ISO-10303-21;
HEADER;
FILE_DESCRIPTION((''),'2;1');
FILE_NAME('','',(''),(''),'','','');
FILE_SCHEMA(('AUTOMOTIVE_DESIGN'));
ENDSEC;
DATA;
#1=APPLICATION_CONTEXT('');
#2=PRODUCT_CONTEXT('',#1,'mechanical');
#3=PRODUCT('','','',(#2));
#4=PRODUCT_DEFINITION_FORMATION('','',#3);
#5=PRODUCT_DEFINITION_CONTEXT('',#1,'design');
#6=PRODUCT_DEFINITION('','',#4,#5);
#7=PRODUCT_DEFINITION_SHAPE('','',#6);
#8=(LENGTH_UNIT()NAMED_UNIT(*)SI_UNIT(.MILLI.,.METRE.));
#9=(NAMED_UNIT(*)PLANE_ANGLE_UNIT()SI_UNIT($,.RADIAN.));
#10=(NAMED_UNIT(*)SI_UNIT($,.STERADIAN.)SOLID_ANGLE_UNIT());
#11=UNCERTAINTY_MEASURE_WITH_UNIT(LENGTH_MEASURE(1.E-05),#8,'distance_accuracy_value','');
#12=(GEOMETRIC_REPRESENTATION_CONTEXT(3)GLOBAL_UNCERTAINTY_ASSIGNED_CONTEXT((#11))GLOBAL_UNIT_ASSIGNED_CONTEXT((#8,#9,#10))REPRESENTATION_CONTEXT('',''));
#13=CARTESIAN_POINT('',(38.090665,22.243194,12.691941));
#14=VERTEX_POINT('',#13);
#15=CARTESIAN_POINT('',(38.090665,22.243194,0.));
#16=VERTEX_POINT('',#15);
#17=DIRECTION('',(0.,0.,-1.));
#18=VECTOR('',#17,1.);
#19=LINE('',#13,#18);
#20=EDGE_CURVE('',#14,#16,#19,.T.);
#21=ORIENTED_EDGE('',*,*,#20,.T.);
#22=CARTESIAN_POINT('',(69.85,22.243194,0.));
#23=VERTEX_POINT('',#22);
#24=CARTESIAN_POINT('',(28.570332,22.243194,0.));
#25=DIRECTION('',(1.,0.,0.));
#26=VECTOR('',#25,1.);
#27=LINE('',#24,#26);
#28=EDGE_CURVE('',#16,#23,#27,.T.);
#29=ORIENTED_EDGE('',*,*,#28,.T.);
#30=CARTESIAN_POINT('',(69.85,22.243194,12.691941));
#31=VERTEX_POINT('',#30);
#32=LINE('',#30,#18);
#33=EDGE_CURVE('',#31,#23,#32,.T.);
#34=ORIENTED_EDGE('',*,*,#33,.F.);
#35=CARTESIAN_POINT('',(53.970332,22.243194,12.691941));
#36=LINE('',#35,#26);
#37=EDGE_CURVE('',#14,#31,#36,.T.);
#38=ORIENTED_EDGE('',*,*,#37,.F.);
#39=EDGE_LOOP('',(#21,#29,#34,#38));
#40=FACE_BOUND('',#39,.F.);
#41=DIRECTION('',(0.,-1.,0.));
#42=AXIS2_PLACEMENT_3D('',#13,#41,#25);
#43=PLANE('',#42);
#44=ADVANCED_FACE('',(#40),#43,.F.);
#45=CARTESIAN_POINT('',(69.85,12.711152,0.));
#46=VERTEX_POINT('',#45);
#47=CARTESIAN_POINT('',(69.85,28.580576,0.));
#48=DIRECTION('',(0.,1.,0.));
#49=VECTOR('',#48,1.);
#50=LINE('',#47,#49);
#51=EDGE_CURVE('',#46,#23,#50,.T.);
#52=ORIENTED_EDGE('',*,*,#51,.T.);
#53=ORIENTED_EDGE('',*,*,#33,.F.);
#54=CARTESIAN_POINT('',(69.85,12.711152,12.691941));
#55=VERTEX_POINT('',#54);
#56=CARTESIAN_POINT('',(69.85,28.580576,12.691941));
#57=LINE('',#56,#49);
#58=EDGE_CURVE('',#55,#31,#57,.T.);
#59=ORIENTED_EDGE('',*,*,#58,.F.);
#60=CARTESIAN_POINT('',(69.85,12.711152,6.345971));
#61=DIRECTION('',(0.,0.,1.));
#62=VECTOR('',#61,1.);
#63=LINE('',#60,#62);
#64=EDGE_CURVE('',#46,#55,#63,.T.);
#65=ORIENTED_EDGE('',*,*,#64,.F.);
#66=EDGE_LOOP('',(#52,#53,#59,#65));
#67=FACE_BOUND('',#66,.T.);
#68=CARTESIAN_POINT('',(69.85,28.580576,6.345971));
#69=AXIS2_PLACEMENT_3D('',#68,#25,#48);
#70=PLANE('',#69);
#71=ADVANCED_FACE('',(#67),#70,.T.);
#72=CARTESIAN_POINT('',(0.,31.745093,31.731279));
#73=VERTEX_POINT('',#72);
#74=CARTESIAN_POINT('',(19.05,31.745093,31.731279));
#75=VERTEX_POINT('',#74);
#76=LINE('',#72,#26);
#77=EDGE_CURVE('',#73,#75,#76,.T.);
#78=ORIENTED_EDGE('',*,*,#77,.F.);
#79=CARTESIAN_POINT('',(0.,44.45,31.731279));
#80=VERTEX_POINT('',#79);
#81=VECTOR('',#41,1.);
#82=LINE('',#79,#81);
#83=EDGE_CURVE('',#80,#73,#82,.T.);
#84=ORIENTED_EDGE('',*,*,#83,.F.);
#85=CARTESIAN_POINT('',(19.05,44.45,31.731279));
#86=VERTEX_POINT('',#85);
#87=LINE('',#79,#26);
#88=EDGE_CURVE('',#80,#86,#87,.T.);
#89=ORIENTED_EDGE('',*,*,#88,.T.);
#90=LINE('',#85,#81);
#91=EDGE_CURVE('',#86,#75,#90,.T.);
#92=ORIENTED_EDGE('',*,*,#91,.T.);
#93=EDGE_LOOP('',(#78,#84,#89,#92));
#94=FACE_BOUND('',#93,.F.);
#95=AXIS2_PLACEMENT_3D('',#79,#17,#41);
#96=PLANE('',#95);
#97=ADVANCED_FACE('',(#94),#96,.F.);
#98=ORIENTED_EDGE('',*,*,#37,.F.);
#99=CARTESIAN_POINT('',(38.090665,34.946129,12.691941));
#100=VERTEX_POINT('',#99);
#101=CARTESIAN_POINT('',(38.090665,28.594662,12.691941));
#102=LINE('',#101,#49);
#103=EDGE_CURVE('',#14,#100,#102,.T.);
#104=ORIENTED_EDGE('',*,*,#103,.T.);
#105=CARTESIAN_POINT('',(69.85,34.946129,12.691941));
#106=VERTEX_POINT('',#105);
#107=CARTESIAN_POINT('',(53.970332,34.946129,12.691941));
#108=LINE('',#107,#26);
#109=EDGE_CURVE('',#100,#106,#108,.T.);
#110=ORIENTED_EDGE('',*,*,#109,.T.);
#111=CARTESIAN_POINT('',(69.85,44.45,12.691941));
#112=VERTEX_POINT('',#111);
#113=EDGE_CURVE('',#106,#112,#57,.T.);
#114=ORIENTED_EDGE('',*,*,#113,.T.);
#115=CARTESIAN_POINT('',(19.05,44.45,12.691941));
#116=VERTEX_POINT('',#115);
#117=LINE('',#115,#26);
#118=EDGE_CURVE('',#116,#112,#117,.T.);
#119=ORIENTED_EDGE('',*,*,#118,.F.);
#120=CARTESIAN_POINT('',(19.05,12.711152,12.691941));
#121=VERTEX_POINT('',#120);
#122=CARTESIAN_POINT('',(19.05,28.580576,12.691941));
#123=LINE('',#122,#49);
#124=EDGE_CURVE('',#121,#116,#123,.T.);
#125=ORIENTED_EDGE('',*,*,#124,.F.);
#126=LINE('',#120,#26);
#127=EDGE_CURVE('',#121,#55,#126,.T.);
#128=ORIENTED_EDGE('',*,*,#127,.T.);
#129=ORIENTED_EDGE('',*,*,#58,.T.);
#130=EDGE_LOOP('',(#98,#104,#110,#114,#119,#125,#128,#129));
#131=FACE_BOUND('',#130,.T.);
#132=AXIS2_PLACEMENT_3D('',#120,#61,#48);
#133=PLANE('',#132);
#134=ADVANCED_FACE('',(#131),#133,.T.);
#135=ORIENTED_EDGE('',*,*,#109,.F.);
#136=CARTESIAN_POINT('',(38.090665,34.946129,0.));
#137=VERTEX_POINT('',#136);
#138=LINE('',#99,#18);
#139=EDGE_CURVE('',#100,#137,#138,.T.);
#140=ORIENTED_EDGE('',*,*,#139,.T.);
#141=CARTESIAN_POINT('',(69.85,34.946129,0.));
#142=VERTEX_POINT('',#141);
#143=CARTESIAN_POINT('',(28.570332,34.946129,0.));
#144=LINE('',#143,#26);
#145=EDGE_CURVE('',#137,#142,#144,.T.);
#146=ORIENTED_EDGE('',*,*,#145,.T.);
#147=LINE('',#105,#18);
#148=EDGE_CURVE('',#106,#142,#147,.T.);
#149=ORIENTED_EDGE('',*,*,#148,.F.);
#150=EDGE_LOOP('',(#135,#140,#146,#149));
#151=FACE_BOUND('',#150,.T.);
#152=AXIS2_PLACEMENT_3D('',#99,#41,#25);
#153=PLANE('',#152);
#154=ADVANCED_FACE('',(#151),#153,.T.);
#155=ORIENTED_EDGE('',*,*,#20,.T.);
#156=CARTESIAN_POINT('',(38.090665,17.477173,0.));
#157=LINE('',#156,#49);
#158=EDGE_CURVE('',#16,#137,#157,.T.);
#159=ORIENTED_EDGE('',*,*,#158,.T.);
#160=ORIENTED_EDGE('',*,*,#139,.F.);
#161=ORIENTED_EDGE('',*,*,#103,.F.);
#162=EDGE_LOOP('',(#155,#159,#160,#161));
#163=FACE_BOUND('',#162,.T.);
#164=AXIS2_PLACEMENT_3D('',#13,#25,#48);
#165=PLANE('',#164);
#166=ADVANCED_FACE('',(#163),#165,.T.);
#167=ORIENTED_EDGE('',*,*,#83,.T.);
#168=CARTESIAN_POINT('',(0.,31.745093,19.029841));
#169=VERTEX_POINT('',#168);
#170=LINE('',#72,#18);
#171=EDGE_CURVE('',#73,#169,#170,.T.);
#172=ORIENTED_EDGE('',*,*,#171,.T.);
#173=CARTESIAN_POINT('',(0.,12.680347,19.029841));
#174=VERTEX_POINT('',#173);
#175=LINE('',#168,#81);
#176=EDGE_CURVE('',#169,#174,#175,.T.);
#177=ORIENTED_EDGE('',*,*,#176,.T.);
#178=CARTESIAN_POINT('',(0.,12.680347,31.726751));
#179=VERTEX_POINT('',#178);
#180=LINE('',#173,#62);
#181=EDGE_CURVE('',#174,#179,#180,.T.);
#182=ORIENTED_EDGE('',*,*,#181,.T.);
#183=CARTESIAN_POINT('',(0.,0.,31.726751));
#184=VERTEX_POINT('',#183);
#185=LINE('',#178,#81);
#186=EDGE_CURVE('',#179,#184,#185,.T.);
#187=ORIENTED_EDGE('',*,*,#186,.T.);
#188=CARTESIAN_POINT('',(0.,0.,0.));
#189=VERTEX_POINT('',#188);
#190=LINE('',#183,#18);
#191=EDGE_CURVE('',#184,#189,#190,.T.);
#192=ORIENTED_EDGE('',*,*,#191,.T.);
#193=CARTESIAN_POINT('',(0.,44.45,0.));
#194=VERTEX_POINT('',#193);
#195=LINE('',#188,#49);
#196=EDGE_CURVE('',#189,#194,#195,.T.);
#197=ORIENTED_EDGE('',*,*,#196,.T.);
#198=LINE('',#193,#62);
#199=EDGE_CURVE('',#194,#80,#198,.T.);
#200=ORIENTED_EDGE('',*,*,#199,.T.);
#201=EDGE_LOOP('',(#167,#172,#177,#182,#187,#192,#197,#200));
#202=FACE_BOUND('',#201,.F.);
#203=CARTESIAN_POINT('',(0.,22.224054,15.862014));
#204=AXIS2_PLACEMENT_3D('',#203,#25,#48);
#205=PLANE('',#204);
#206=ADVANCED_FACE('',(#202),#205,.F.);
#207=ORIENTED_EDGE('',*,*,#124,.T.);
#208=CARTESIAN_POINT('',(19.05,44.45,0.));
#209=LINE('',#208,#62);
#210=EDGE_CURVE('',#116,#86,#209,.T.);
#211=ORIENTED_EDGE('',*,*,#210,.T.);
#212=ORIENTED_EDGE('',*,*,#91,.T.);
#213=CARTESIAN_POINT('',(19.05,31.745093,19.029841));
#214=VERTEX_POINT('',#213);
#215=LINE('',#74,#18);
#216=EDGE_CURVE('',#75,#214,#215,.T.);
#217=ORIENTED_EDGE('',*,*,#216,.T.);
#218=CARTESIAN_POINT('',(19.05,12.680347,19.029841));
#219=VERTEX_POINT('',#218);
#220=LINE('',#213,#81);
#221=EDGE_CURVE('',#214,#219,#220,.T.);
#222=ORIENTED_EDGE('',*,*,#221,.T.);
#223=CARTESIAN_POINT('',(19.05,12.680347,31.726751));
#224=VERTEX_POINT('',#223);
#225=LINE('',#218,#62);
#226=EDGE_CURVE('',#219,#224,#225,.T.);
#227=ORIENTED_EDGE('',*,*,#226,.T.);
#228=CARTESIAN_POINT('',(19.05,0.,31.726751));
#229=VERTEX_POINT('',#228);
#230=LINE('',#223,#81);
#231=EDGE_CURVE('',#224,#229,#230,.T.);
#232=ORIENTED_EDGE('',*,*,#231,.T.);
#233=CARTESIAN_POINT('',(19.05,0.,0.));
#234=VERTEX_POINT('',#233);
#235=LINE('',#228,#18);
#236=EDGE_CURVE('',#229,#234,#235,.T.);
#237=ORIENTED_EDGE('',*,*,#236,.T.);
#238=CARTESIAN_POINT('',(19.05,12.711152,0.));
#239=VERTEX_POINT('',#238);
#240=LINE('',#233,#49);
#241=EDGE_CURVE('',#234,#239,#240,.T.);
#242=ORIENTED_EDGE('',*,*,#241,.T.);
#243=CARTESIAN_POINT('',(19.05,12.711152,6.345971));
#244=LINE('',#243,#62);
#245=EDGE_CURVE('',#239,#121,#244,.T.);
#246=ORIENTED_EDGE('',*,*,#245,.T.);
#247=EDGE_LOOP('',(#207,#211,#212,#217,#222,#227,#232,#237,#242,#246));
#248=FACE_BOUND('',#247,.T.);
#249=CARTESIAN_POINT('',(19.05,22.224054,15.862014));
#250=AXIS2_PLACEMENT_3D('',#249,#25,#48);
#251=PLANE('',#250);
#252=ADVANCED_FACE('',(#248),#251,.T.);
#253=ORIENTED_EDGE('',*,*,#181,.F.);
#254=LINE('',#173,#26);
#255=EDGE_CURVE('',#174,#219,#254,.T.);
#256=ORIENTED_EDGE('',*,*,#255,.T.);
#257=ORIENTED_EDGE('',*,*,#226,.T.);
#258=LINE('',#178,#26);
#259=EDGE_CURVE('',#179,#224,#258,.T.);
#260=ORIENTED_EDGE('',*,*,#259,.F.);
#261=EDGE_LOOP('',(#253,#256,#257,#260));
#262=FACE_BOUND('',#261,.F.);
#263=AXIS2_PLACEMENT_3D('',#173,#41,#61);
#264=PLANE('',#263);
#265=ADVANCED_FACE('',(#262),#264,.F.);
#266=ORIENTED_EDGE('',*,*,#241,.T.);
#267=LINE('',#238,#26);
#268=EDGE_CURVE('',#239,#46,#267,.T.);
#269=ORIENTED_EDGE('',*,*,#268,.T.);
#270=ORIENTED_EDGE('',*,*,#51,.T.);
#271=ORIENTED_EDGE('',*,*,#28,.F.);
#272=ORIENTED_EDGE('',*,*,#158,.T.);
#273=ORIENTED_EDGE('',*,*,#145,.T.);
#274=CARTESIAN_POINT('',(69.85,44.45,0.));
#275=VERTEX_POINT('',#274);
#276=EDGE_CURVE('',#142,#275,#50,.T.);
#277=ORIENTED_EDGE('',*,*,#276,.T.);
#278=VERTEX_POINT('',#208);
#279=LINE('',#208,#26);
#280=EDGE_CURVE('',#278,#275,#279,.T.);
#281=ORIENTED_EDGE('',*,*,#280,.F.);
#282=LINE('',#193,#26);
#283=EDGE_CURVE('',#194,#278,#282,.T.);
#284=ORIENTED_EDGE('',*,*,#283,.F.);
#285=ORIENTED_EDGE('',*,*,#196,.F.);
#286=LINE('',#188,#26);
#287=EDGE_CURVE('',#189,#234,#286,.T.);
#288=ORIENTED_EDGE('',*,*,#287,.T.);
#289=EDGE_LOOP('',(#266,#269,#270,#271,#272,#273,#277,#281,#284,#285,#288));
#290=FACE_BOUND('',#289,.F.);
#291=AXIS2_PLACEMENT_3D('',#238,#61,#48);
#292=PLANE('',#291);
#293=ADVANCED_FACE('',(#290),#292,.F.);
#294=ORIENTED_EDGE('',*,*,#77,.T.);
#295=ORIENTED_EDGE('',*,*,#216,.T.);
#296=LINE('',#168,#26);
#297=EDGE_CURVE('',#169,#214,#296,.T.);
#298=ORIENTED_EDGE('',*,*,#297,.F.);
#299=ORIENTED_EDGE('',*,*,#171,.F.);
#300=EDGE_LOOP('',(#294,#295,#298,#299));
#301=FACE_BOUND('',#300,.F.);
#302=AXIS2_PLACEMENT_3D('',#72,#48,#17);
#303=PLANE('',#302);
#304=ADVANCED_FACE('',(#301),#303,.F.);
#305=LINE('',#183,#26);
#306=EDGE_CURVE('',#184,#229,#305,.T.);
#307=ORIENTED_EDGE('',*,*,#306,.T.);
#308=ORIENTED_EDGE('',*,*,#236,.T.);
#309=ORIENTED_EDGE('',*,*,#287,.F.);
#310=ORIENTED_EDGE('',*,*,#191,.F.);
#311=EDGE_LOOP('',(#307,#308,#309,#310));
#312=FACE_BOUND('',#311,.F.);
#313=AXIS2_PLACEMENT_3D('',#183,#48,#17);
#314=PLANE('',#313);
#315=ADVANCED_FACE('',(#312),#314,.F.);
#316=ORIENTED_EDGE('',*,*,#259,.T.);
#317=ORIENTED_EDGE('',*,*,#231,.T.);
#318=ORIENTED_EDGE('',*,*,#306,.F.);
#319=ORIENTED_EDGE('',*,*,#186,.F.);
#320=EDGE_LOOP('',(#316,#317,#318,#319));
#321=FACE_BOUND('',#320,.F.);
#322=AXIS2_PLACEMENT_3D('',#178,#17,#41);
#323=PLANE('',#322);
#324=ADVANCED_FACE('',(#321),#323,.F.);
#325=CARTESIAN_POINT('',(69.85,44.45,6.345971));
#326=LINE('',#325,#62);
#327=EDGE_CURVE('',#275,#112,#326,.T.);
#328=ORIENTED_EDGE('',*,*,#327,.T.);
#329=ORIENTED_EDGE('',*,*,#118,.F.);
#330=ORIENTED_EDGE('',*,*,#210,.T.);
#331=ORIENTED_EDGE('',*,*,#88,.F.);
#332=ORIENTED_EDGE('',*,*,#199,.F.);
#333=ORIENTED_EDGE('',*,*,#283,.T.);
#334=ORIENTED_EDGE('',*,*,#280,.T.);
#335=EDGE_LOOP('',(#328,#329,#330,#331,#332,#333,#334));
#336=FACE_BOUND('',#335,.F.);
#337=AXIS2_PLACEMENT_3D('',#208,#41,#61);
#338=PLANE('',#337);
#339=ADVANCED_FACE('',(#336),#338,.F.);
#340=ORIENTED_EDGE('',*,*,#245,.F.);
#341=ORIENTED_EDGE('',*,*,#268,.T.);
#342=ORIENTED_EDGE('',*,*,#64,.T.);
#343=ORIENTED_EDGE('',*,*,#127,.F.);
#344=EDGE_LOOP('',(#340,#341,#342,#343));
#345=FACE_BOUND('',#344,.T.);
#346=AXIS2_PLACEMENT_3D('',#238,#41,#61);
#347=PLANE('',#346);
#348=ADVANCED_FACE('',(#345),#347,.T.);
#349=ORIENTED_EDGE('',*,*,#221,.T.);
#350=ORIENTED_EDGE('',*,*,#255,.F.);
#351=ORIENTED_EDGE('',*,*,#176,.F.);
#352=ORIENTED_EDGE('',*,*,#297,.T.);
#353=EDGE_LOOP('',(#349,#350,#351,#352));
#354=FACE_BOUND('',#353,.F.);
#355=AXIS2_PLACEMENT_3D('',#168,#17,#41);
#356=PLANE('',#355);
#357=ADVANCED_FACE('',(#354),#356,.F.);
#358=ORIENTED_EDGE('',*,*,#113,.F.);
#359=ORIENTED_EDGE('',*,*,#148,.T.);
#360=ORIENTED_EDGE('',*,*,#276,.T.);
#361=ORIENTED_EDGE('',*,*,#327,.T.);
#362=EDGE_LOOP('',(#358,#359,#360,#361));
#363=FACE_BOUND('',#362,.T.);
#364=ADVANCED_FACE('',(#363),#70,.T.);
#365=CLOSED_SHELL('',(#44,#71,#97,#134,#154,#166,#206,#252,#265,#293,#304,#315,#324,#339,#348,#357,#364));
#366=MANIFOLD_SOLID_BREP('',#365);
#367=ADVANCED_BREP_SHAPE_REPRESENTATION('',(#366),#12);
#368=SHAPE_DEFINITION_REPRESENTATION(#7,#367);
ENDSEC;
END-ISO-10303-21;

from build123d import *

# Parameters (mm, degrees)
F1_DEPTH = 19.05
F2_W     = 31.7388475657
F2_H     = 12.6919411123
F3_DEPTH = 50.8
F4_W     = 31.7593351066
F4_H     = 12.702934444
F5_DEPTH = 25.4


with BuildPart() as f1:
    # F0 (on Right) → F1 (new body)
    with BuildSketch(Plane.YZ):
        Polygon((0, 31.7267506936), (0, 0), (44.45, 0), (44.45, 31.7312787083), (31.7450927711, 31.7312787083), (31.7450927711, 19.0298414173), (12.6803467474, 19.0298414173), (12.6803467474, 31.7267506936), align=None)
    extrude(amount=F1_DEPTH)

    # F2 (on face) → F3 (join)
    with BuildSketch(Plane.YZ.offset(19.05)):
        with Locations((28.5805762172, 6.3459705561)):
            Rectangle(F2_W, F2_H)
    extrude(amount=F3_DEPTH)

    # F4 (on face) → F5 (cut)
    with BuildSketch(Plane.XY.offset(12.6919411123)):
        with Locations((53.9703324467, 28.594661504)):
            Rectangle(F4_W, F4_H)
    extrude(amount=-F5_DEPTH, mode=Mode.SUBTRACT)


solid = f1.part
